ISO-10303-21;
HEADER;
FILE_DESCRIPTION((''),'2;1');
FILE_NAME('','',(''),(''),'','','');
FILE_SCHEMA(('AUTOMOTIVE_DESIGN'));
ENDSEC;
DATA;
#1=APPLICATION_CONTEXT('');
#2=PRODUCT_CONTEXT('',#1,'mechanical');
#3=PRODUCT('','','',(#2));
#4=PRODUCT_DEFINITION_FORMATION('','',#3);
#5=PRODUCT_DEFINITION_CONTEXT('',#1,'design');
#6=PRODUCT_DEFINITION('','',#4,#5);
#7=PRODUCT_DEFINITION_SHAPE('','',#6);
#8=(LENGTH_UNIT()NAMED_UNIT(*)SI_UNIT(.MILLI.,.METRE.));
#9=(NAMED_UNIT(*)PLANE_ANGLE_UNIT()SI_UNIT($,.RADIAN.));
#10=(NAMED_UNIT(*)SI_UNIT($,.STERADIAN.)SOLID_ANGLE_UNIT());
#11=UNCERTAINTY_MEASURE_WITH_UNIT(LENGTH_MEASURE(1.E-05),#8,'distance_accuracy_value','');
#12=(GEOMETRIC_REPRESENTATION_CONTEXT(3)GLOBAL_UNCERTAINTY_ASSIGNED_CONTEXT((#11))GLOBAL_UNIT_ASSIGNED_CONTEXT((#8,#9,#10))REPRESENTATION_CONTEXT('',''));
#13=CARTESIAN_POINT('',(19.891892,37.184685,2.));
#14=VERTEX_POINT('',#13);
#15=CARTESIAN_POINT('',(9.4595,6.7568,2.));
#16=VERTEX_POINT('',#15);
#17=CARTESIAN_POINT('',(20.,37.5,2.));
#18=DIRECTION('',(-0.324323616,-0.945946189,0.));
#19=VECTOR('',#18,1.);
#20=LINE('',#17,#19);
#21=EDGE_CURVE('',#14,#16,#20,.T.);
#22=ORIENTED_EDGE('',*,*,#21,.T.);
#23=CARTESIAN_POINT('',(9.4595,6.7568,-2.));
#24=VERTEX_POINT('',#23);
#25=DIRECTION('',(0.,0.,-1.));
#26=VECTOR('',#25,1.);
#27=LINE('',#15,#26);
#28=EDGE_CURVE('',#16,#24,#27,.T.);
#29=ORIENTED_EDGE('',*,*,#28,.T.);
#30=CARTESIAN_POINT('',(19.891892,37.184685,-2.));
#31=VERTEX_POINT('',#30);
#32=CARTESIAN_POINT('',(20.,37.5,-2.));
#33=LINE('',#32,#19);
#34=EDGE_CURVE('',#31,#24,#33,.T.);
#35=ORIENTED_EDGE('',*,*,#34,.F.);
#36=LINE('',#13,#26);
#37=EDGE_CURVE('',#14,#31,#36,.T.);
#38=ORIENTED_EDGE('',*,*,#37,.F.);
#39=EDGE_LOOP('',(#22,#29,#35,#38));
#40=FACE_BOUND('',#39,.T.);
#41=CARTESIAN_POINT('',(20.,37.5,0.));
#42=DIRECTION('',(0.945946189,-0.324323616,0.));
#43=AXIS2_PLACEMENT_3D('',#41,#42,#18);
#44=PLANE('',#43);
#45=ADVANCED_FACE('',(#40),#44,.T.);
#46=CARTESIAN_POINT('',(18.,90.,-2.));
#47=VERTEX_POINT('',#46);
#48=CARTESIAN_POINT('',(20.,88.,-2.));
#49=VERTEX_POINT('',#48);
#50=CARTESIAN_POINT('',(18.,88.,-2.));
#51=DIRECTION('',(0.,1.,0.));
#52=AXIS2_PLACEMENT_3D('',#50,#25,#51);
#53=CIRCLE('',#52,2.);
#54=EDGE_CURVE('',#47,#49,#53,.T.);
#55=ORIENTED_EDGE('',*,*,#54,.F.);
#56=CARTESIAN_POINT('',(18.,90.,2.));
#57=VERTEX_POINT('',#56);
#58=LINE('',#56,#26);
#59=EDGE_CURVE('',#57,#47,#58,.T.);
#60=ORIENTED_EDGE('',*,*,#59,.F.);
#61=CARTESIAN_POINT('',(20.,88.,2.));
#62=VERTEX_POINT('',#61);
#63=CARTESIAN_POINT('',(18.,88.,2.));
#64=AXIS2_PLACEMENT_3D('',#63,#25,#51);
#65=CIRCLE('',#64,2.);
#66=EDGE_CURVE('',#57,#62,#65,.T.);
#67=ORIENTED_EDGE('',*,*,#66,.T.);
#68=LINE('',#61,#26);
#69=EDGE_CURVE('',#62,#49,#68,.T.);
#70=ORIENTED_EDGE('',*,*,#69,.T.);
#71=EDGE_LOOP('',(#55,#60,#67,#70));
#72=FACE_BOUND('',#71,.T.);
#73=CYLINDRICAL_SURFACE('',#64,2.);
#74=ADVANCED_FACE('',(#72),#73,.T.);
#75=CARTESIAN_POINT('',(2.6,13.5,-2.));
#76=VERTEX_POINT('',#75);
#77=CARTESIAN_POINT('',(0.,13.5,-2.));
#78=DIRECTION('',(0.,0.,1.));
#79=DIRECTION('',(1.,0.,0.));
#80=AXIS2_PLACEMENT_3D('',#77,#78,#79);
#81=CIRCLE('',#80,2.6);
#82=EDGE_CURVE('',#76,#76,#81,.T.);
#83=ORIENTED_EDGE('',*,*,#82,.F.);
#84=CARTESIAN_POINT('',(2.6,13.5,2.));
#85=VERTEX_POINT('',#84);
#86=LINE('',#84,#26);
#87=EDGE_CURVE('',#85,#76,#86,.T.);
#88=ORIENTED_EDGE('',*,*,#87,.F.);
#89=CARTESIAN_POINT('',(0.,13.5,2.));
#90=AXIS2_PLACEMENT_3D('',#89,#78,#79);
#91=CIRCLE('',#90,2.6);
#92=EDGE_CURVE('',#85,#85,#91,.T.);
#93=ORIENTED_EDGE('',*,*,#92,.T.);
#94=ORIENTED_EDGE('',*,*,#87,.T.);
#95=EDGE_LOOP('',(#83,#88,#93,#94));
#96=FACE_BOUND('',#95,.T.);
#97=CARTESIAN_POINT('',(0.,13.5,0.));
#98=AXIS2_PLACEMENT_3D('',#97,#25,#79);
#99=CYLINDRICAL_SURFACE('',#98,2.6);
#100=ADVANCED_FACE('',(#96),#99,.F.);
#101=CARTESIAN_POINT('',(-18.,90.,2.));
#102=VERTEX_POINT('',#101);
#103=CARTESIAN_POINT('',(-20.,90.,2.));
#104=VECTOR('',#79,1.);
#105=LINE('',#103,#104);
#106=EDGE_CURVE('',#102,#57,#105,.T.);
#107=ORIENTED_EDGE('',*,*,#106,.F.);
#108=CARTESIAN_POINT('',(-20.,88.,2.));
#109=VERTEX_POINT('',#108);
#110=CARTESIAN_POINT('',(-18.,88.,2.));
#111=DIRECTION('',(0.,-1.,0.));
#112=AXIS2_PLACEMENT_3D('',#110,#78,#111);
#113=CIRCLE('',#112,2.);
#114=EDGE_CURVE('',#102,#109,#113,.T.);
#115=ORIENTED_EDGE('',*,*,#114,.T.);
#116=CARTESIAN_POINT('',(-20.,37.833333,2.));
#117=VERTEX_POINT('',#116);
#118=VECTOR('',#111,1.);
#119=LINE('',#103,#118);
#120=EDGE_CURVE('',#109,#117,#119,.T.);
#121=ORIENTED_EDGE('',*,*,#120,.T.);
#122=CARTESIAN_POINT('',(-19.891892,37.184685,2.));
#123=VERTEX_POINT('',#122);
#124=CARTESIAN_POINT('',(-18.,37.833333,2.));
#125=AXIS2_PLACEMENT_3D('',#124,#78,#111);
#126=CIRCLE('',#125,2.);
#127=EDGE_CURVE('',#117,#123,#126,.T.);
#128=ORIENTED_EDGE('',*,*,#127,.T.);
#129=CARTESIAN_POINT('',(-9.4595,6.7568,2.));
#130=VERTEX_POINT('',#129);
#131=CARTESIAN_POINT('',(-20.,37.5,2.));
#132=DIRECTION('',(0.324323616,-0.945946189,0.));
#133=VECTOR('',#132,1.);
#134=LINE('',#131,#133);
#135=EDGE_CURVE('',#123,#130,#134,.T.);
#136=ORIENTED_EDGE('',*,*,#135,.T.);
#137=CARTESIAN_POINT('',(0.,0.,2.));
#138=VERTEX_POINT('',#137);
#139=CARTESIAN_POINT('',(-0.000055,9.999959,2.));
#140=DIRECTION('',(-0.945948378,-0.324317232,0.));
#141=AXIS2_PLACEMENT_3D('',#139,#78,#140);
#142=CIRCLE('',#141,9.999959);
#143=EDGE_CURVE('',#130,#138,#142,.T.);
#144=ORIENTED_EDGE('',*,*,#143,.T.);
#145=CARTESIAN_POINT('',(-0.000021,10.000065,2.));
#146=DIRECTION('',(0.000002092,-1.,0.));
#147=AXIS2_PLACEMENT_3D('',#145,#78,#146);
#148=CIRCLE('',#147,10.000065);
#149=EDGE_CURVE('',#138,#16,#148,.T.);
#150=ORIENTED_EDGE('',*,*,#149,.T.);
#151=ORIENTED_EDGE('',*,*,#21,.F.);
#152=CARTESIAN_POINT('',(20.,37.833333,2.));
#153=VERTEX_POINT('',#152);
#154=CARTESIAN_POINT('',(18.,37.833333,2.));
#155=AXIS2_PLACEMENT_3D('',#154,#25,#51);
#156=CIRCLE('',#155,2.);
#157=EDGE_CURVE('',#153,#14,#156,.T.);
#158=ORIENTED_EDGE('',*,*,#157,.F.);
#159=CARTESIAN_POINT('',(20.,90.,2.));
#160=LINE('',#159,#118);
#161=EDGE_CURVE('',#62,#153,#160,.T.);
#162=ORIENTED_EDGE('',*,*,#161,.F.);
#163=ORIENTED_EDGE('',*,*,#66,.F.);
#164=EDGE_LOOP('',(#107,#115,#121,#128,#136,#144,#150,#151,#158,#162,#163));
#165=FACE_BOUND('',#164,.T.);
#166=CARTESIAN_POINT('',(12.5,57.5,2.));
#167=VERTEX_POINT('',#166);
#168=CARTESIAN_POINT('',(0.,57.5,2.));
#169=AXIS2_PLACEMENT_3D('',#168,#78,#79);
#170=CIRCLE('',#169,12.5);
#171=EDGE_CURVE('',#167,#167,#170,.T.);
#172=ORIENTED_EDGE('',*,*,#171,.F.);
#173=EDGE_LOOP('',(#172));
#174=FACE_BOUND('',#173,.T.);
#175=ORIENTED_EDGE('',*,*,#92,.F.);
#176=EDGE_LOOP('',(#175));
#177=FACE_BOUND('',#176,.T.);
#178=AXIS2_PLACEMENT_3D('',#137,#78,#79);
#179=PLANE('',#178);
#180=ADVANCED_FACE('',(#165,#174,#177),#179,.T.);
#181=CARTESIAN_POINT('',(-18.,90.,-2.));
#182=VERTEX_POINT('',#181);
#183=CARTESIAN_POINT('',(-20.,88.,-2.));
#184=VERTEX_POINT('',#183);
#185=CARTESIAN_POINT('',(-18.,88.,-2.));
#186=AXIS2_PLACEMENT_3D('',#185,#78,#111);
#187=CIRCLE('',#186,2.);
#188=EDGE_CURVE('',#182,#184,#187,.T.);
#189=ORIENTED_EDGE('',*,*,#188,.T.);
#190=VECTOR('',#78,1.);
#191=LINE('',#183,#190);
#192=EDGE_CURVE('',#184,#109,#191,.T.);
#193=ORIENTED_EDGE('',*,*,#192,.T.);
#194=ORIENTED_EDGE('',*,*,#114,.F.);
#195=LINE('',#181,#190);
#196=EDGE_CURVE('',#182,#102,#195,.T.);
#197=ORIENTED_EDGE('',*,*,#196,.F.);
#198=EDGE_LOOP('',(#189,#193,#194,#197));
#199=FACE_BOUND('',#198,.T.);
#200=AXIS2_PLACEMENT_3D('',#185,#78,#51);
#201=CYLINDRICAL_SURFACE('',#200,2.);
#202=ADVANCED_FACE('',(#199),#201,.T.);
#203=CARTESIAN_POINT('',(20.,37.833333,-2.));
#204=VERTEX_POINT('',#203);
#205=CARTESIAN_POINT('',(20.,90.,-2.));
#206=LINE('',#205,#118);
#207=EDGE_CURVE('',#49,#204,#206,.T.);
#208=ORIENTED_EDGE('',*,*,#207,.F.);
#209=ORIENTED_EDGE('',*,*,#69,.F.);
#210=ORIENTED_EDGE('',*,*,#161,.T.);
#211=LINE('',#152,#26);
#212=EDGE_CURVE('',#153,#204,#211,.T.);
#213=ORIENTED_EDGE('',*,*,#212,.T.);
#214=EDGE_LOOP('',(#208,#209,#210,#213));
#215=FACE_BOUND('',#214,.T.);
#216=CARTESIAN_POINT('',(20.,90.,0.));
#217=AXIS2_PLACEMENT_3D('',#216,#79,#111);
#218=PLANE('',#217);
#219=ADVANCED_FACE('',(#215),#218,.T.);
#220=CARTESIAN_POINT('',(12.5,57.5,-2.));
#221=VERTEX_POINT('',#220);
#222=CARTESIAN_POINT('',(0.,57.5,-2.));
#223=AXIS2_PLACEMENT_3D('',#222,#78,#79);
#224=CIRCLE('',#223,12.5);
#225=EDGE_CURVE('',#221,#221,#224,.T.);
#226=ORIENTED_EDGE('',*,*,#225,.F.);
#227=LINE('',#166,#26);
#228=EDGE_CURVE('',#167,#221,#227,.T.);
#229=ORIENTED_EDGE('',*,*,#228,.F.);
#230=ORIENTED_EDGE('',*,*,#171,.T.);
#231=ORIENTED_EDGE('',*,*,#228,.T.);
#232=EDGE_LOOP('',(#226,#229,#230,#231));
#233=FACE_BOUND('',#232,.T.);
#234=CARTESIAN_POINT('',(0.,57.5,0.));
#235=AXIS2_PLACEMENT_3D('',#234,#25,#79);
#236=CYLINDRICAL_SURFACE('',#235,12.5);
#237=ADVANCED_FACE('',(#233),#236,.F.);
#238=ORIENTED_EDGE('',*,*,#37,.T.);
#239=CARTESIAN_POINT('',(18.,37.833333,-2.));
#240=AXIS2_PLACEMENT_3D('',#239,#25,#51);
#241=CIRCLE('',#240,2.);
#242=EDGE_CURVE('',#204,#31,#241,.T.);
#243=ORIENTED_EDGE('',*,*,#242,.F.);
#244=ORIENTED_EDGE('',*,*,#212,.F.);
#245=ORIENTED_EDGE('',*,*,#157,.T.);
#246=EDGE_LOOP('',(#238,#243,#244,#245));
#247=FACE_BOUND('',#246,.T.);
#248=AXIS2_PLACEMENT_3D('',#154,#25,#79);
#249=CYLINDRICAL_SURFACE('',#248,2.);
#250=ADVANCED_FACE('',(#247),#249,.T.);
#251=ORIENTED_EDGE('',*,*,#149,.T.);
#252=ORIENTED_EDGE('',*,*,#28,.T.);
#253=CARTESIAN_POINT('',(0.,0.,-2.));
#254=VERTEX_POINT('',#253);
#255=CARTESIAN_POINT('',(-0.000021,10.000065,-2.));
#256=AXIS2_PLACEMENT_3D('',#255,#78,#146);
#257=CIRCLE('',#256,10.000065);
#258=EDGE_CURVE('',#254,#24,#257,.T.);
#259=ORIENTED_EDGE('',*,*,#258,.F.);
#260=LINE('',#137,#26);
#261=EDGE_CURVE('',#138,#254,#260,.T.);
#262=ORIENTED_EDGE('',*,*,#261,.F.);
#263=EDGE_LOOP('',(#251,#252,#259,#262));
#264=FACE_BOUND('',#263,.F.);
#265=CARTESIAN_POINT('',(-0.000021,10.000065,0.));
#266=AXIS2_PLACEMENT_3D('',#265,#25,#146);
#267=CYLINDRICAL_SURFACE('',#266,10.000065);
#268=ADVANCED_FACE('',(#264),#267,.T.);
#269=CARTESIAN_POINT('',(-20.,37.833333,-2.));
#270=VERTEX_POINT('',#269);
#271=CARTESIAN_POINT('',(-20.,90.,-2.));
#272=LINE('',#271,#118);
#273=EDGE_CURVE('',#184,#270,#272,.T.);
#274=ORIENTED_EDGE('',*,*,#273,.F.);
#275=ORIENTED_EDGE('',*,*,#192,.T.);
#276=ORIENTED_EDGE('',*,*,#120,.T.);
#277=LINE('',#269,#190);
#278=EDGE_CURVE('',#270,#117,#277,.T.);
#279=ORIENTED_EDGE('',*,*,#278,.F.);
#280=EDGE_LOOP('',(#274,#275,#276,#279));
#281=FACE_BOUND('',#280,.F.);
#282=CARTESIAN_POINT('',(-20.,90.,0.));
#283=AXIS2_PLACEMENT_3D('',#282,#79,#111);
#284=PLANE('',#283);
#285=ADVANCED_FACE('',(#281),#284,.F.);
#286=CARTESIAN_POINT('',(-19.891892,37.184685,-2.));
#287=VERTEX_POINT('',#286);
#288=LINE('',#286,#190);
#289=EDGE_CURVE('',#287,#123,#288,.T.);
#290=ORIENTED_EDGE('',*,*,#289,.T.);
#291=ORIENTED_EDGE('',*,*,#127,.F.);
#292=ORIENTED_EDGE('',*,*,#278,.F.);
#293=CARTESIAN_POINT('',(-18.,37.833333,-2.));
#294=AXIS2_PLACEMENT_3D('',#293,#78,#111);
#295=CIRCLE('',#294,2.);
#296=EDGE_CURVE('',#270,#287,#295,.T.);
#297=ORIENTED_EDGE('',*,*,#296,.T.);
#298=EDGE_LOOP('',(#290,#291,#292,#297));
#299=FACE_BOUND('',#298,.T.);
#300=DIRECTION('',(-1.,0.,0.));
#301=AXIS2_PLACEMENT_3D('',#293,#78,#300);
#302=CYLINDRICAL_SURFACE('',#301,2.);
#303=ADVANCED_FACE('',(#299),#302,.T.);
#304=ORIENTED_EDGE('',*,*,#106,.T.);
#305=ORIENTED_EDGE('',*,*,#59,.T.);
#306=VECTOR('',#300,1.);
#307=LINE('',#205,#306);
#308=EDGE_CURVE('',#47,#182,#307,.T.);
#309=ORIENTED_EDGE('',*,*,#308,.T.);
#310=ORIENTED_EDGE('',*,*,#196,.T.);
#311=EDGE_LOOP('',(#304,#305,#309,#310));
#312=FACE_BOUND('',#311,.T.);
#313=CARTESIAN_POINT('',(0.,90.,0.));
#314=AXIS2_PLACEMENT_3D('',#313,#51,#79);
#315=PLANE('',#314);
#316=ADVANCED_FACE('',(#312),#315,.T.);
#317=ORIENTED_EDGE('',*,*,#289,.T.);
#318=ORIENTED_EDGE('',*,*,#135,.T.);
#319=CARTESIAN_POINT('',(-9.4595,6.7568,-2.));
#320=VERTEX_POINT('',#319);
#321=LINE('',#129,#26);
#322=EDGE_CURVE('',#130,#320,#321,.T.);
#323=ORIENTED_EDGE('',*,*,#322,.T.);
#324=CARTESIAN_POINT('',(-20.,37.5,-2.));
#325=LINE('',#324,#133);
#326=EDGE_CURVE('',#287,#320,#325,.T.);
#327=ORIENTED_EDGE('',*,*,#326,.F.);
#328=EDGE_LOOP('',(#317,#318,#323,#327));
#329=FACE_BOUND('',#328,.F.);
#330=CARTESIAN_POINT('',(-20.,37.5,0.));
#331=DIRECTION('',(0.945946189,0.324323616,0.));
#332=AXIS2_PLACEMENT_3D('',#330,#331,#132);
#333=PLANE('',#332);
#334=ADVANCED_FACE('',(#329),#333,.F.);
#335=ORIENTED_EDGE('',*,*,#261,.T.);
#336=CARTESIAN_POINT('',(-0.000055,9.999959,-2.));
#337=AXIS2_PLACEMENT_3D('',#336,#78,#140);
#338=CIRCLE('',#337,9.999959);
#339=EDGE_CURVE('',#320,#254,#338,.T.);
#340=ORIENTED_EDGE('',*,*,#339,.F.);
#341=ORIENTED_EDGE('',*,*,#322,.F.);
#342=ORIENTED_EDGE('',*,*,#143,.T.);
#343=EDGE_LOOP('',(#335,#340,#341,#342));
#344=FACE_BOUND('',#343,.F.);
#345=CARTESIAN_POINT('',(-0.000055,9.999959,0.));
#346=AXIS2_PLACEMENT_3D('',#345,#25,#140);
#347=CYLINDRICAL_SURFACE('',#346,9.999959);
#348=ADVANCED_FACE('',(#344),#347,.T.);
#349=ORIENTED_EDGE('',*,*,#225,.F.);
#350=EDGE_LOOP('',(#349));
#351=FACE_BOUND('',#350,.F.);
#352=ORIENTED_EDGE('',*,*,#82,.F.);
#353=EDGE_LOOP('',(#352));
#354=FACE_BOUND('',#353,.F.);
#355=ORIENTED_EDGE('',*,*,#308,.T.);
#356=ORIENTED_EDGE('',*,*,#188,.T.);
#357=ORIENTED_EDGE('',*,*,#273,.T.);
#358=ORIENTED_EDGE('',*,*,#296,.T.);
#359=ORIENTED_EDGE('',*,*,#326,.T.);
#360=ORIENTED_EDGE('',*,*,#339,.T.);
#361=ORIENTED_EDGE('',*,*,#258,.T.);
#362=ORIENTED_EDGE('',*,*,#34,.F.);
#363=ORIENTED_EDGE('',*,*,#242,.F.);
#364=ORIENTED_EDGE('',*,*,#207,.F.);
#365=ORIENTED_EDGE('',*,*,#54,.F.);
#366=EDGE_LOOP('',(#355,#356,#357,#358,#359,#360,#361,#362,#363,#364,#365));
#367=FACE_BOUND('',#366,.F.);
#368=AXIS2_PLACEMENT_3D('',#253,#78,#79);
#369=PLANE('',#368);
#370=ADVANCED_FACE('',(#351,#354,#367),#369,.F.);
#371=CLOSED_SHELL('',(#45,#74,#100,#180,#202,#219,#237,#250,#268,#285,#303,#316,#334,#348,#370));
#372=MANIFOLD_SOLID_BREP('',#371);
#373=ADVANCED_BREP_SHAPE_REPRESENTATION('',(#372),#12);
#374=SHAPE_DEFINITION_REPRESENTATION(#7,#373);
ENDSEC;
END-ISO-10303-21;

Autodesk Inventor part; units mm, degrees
ref_plane "YZ Plane" through (0, 0, 0) normal (1, 0, 0) x (0, 1, 0)
ref_plane "XZ Plane" through (0, 0, 0) normal (0, 1, 0) x (-1, 0, 0)
ref_plane "XY Plane" through (0, 0, 0) normal (0, 0, 1) x (1, 0, 0)
sketch "Sketch1" plane through (0, 0, 0) normal (0, 0, 1) x (1, 0, 0)
  line L0 (0, 0) -> (0, 100) construction
  line L1 (0, 90) -> (-20, 90)
  line L2 (-20, 90) -> (-20, 37.5)
  arc A0 (-9.4595, 6.7568) -> (0, 0) centre (0, 10) ccw
  line L3 (-20, 37.5) -> (-9.4595, 6.7568)
  line L4 (0, 90) -> (20, 90)
  line L5 (20, 90) -> (20, 37.5)
  arc A1 (0, 0) -> (9.4595, 6.7568) centre (0, 10) ccw
  line L6 (20, 37.5) -> (9.4595, 6.7568)
  circle A2 centre (0, 57.5) radius 12.5
  circle A3 centre (0, 13.5) radius 2.6
  dimension "d2" = 20
  dimension "d4" = 52.5
  dimension "d5" = 37.5
  dimension "d6" = 10
  dimension "d7" = 32.5
  dimension "d8" = 25
  dimension "d9" = 13.5
  dimension "d10" = 5.2
extrude "Extrusion1" add sketch "Sketch1" along normal mid plane 4
fillet "Fillet1" radius 2 5 edges at (20, 37.5, 0) (20, 90, 0) (-20, 90, 0) (-20, 37.5, 1) (-20, 37.5, -1)
properties part number "Frame1"
